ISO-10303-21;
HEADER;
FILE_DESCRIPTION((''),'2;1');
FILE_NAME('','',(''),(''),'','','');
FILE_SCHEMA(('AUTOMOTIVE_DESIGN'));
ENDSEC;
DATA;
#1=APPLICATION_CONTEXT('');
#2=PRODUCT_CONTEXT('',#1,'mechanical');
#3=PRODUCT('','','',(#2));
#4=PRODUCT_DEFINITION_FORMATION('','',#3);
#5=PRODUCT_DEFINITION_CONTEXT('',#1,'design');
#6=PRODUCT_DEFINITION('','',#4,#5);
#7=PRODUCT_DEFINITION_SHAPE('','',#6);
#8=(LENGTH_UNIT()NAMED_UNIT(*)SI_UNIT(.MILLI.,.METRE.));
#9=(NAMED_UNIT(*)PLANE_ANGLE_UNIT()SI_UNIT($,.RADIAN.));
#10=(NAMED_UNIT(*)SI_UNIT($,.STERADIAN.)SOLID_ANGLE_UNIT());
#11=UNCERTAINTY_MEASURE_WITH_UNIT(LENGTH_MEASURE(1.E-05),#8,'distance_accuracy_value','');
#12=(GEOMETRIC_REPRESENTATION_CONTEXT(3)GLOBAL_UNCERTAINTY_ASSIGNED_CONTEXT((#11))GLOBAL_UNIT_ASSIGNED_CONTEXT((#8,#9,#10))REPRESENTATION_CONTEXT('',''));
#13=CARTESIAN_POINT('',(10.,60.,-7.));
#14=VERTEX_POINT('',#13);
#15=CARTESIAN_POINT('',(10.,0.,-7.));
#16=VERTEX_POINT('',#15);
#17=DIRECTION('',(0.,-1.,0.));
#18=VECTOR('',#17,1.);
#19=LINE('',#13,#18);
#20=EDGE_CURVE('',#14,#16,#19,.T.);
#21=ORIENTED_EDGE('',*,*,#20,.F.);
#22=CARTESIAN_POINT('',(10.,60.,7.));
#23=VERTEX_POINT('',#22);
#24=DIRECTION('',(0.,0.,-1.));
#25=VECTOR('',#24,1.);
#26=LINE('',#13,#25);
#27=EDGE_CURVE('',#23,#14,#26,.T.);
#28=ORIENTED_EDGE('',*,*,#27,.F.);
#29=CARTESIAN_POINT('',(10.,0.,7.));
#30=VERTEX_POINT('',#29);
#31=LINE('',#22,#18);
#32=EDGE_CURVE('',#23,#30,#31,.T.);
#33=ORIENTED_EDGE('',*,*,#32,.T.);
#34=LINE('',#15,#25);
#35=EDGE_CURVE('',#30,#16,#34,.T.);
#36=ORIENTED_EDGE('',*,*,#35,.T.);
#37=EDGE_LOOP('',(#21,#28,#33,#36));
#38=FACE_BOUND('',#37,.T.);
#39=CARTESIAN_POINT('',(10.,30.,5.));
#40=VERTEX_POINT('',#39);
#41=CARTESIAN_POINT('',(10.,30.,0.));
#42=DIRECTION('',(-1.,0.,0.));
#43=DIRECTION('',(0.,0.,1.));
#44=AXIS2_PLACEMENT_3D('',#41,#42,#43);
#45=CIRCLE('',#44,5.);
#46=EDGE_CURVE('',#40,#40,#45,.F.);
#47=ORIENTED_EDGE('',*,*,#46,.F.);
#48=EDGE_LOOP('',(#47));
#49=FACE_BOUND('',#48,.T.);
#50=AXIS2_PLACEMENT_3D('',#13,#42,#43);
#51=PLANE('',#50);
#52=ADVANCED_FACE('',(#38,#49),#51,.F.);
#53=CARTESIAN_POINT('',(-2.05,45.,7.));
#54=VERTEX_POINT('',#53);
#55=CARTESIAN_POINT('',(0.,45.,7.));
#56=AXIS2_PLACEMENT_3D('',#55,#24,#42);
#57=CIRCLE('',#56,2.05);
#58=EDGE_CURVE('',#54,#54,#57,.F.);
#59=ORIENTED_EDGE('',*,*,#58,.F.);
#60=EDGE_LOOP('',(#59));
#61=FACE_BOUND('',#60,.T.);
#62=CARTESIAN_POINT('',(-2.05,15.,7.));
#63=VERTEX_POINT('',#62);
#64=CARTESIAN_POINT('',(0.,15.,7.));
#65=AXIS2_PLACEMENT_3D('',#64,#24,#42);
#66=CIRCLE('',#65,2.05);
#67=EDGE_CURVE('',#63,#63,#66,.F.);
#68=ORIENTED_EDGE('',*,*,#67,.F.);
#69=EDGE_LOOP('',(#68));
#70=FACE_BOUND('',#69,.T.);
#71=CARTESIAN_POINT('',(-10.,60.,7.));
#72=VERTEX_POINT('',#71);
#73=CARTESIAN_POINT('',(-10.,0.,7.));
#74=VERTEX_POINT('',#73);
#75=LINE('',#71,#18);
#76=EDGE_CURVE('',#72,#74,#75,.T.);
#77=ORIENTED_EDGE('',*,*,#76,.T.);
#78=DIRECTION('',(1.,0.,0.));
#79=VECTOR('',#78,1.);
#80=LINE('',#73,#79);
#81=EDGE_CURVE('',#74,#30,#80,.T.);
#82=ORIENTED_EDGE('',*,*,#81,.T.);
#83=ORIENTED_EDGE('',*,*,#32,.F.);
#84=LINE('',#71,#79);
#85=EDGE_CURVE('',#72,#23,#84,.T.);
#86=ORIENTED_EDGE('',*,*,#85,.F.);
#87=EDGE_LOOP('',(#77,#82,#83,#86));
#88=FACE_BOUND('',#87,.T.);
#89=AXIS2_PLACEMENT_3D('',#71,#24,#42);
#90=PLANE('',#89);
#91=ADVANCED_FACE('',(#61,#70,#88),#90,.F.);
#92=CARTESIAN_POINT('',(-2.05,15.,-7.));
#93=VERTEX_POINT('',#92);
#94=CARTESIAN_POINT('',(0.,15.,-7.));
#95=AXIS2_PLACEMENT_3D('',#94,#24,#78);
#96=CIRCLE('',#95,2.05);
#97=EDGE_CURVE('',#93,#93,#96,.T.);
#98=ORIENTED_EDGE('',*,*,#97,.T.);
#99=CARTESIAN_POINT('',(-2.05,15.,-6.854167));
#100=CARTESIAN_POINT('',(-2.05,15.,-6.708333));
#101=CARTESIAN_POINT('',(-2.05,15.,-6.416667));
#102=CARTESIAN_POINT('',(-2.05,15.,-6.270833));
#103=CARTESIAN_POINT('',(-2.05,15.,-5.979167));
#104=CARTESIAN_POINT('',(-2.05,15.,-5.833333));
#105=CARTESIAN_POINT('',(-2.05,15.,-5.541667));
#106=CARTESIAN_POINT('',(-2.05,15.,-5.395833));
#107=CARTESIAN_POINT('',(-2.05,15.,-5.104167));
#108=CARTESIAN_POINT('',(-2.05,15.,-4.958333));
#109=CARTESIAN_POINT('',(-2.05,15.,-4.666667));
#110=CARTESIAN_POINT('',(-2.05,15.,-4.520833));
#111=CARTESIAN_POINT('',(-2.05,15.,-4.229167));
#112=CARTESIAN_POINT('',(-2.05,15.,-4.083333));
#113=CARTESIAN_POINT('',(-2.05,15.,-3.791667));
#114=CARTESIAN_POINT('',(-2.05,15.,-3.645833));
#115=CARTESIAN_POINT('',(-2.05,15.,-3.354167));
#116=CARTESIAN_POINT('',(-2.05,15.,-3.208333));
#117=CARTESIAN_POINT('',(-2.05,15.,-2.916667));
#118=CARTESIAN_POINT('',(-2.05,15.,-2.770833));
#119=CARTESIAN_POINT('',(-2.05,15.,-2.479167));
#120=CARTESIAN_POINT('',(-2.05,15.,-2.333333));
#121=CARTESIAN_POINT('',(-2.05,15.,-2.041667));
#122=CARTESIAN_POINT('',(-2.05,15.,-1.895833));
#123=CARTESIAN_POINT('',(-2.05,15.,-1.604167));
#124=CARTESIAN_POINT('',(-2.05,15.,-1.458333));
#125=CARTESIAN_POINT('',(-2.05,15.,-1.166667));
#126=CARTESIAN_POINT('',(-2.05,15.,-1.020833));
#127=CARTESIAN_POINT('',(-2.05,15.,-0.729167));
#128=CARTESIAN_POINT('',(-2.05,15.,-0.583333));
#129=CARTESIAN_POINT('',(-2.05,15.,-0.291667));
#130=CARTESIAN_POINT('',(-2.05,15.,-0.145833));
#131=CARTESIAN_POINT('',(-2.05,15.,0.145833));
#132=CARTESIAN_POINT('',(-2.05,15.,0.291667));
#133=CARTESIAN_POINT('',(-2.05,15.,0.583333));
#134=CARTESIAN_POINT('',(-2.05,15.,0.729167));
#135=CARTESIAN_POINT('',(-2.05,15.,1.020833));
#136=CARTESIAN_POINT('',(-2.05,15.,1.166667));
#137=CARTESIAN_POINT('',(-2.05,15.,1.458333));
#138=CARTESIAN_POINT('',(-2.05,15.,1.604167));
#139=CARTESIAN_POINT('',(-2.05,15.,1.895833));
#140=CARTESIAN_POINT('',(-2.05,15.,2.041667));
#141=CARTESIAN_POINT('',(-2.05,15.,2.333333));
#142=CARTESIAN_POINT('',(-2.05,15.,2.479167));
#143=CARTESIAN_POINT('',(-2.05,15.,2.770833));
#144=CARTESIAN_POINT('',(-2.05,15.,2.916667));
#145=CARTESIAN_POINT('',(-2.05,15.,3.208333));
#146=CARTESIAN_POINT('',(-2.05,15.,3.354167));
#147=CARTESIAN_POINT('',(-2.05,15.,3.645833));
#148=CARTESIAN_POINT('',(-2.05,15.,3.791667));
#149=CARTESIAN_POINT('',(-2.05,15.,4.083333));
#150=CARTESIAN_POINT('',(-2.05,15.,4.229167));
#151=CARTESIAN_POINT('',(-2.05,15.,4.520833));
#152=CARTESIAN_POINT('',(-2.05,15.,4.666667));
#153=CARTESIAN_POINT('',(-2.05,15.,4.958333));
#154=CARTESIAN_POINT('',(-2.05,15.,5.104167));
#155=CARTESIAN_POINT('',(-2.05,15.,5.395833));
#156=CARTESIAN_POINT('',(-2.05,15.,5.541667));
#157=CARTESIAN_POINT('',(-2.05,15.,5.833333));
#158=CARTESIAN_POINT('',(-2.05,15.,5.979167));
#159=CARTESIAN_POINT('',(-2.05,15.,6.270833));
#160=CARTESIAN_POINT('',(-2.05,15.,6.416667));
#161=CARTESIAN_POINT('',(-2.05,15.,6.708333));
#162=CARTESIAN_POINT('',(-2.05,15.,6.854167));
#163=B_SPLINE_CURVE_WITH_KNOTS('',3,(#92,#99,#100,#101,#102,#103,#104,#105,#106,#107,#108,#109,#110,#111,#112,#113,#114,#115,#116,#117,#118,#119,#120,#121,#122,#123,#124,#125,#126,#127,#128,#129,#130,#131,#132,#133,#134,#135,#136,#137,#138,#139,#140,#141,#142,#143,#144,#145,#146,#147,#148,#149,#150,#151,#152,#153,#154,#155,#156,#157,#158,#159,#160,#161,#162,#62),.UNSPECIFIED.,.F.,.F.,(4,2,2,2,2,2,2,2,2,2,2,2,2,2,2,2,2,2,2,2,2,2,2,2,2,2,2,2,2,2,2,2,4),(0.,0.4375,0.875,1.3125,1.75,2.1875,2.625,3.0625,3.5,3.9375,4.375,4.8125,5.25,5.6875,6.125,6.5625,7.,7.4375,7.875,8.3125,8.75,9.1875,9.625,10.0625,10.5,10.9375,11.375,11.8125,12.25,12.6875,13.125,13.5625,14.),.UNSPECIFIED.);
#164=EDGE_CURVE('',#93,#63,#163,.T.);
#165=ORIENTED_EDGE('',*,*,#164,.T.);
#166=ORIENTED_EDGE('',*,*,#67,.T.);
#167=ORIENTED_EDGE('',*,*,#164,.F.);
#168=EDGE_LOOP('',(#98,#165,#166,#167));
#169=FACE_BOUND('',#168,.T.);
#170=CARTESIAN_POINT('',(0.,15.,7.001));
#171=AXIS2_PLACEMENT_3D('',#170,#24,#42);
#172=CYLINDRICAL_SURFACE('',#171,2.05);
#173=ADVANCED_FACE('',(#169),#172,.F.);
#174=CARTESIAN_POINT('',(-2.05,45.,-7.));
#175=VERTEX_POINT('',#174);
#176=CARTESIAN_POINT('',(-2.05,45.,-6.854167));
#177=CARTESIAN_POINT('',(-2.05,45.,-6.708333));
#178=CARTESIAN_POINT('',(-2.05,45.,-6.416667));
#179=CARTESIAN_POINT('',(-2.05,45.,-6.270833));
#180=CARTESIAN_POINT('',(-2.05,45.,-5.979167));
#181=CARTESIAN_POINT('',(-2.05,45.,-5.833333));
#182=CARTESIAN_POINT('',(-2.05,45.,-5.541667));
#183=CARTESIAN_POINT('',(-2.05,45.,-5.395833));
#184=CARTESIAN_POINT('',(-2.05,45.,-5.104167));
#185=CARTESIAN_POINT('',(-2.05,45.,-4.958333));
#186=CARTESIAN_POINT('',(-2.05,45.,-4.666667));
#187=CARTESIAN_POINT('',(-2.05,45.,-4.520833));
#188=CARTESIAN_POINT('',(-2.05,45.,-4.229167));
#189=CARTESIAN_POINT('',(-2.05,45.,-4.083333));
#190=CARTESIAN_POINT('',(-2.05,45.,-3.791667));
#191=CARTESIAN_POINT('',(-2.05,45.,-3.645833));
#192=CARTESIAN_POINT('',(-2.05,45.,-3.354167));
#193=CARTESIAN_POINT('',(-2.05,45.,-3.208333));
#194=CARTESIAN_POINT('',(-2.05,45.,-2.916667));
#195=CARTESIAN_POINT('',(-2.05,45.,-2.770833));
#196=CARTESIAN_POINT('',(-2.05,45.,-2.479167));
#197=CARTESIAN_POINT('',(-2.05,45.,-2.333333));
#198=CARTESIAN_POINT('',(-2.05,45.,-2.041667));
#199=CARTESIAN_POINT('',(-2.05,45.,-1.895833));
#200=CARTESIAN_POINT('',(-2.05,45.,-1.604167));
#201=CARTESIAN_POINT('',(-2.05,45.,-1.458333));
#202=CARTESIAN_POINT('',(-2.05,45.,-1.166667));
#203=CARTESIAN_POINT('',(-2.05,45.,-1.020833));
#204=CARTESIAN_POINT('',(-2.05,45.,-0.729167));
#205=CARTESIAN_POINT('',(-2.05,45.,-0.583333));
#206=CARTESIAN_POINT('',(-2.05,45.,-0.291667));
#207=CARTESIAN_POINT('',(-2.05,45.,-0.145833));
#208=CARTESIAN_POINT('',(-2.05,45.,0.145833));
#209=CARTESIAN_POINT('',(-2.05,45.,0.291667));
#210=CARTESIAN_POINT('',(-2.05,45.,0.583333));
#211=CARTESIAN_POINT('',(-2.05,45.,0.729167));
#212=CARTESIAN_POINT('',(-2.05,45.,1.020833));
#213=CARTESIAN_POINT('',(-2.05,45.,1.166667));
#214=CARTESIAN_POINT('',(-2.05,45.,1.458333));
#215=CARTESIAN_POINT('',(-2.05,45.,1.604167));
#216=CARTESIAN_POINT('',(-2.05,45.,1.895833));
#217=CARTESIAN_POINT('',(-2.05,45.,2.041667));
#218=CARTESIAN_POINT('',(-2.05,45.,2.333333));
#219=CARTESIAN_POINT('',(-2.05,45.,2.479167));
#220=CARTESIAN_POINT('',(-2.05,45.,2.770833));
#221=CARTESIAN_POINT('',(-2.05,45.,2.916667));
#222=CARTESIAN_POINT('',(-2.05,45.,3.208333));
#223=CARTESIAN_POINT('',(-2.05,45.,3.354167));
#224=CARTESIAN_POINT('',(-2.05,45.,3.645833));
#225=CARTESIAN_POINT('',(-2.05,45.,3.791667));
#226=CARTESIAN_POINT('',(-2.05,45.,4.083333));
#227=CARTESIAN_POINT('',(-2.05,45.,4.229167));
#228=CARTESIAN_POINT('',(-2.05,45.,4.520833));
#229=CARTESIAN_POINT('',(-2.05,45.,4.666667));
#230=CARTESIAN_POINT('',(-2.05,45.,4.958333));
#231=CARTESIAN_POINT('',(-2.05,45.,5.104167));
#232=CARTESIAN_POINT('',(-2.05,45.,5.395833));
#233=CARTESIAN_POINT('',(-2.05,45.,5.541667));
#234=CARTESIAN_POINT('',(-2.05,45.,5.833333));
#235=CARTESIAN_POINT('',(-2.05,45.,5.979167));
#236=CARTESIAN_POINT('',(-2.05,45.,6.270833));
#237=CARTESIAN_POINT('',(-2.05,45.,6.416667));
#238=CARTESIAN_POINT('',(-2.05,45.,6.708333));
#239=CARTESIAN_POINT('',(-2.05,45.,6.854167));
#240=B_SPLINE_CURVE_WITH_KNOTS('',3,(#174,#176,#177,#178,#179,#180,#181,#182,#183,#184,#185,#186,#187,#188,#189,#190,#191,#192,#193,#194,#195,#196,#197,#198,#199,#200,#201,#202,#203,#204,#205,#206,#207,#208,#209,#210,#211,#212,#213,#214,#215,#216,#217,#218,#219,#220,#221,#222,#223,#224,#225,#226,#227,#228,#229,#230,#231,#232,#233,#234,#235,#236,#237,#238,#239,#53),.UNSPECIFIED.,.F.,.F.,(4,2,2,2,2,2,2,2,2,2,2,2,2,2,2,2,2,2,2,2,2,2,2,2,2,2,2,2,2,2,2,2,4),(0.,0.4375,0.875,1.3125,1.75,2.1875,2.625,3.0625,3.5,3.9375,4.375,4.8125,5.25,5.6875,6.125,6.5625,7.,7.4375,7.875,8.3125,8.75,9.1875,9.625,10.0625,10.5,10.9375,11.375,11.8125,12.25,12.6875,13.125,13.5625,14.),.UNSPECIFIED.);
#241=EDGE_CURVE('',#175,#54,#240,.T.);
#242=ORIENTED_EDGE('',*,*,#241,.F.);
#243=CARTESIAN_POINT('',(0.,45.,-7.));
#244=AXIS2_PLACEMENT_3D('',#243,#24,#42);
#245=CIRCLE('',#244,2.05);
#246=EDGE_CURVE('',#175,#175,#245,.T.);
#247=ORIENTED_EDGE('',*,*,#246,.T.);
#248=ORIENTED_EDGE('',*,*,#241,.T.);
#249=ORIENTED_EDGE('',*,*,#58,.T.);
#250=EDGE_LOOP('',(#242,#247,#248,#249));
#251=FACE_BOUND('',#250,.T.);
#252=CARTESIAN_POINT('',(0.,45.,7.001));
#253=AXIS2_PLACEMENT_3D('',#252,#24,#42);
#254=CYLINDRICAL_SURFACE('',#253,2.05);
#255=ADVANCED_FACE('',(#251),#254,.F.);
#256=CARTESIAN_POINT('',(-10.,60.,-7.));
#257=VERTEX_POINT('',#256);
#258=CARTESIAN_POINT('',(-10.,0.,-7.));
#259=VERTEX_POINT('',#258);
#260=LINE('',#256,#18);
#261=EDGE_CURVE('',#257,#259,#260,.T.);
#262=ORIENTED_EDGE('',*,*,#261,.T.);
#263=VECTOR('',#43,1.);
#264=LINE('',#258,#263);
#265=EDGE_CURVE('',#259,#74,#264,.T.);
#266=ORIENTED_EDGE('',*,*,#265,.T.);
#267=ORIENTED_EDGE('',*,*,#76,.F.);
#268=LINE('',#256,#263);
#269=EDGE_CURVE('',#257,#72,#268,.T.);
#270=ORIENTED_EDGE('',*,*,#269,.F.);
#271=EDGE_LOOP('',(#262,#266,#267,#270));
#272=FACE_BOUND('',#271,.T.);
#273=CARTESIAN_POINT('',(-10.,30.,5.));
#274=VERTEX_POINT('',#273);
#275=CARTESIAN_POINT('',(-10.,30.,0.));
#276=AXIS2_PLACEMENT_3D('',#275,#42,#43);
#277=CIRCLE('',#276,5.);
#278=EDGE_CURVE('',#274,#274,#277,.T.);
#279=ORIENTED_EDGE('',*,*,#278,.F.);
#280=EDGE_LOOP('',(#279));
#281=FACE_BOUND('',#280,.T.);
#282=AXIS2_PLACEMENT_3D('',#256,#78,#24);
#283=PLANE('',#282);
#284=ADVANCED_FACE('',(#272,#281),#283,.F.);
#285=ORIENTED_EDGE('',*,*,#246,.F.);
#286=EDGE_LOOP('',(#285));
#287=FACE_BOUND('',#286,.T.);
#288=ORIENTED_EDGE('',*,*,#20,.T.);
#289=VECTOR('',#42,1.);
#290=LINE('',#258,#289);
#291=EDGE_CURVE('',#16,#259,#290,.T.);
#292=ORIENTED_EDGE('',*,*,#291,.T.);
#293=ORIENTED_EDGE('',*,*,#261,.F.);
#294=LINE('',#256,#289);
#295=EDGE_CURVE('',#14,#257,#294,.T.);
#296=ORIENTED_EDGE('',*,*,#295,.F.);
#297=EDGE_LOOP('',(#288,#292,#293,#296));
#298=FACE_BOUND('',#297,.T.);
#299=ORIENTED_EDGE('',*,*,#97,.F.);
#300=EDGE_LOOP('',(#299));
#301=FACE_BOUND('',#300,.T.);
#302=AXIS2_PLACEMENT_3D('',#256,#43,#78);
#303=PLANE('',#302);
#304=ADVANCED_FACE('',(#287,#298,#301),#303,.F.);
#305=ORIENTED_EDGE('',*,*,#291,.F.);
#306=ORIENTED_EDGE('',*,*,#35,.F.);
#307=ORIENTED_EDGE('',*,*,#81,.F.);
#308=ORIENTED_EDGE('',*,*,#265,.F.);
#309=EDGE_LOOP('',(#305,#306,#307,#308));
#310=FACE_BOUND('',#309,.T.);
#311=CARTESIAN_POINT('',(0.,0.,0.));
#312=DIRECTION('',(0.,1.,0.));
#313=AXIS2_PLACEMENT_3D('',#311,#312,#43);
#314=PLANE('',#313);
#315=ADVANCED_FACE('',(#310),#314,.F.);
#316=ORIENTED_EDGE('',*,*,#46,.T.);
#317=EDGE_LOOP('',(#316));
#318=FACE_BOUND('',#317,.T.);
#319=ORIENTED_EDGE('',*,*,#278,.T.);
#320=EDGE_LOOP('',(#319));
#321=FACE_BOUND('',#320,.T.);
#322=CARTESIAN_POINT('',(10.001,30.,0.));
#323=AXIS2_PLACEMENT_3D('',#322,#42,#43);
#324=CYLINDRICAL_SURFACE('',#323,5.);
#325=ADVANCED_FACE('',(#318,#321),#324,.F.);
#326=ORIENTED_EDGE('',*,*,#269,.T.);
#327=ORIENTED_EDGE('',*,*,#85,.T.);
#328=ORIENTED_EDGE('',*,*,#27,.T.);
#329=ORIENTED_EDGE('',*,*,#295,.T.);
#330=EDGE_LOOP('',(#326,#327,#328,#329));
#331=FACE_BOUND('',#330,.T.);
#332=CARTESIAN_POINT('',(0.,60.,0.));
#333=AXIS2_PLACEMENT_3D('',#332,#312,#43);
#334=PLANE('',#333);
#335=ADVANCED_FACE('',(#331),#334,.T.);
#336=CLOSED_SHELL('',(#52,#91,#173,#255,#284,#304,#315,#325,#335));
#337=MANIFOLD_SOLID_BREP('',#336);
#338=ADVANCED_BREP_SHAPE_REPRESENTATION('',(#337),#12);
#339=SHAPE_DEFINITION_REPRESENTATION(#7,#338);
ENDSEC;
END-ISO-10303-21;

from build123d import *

# Parameters (mm, degrees)
SKETCH_1_W          = 20
SKETCH_1_H          = 14
EXTRUDE_1_DEPTH     = 60
CUT_EXTRUDE_1_REACH = 65.632
SKETCH_2_R          = 5
CUT_EXTRUDE_2_REACH = 64.418
SKETCH_3_R          = 2.05


with BuildPart() as part:
    # 草图1 → 凸台-拉伸1 (new body)
    with BuildSketch(Plane(origin=(0, 0, 0), x_dir=(1, 0, 0), z_dir=(0, 1, 0))):
        Rectangle(SKETCH_1_W, SKETCH_1_H)
    extrude(amount=EXTRUDE_1_DEPTH)

    # 草图2 → 切除-拉伸1 (cut, up to next)
    with BuildSketch(Plane.ZY.offset(10), mode=Mode.PRIVATE) as cut_extrude_1_sk1:
        with Locations((0, 30)):
            Circle(SKETCH_2_R)
    cut_extrude_1_tool1 = extrude(cut_extrude_1_sk1.sketch, amount=-CUT_EXTRUDE_1_REACH, mode=Mode.PRIVATE) & part.part
    add(cut_extrude_1_tool1.solids().sort_by_distance((-10, 30, 0))[0], mode=Mode.SUBTRACT)

    # 草图3 → 切除-拉伸2 (cut, up to next)
    with BuildSketch(Plane(origin=(0, 0, -7), x_dir=(-1, 0, 0), z_dir=(0, 0, -1)), mode=Mode.PRIVATE) as cut_extrude_2_sk1:
        with Locations((0, 45)):
            Circle(SKETCH_3_R)
    cut_extrude_2_tool1 = extrude(cut_extrude_2_sk1.sketch, amount=-CUT_EXTRUDE_2_REACH, mode=Mode.PRIVATE) & part.part
    # 草图3 → 切除-拉伸2 (cut, up to next)
    with BuildSketch(Plane(origin=(0, 0, -7), x_dir=(-1, 0, 0), z_dir=(0, 0, -1)), mode=Mode.PRIVATE) as cut_extrude_2_sk2:
        with Locations((0, 15)):
            Circle(SKETCH_3_R)
    cut_extrude_2_tool2 = extrude(cut_extrude_2_sk2.sketch, amount=-CUT_EXTRUDE_2_REACH, mode=Mode.PRIVATE) & part.part
    add(cut_extrude_2_tool1.solids().sort_by_distance((0, 45, -7))[0], mode=Mode.SUBTRACT)
    add(cut_extrude_2_tool2.solids().sort_by_distance((0, 15, -7))[0], mode=Mode.SUBTRACT)


solid = part.part
